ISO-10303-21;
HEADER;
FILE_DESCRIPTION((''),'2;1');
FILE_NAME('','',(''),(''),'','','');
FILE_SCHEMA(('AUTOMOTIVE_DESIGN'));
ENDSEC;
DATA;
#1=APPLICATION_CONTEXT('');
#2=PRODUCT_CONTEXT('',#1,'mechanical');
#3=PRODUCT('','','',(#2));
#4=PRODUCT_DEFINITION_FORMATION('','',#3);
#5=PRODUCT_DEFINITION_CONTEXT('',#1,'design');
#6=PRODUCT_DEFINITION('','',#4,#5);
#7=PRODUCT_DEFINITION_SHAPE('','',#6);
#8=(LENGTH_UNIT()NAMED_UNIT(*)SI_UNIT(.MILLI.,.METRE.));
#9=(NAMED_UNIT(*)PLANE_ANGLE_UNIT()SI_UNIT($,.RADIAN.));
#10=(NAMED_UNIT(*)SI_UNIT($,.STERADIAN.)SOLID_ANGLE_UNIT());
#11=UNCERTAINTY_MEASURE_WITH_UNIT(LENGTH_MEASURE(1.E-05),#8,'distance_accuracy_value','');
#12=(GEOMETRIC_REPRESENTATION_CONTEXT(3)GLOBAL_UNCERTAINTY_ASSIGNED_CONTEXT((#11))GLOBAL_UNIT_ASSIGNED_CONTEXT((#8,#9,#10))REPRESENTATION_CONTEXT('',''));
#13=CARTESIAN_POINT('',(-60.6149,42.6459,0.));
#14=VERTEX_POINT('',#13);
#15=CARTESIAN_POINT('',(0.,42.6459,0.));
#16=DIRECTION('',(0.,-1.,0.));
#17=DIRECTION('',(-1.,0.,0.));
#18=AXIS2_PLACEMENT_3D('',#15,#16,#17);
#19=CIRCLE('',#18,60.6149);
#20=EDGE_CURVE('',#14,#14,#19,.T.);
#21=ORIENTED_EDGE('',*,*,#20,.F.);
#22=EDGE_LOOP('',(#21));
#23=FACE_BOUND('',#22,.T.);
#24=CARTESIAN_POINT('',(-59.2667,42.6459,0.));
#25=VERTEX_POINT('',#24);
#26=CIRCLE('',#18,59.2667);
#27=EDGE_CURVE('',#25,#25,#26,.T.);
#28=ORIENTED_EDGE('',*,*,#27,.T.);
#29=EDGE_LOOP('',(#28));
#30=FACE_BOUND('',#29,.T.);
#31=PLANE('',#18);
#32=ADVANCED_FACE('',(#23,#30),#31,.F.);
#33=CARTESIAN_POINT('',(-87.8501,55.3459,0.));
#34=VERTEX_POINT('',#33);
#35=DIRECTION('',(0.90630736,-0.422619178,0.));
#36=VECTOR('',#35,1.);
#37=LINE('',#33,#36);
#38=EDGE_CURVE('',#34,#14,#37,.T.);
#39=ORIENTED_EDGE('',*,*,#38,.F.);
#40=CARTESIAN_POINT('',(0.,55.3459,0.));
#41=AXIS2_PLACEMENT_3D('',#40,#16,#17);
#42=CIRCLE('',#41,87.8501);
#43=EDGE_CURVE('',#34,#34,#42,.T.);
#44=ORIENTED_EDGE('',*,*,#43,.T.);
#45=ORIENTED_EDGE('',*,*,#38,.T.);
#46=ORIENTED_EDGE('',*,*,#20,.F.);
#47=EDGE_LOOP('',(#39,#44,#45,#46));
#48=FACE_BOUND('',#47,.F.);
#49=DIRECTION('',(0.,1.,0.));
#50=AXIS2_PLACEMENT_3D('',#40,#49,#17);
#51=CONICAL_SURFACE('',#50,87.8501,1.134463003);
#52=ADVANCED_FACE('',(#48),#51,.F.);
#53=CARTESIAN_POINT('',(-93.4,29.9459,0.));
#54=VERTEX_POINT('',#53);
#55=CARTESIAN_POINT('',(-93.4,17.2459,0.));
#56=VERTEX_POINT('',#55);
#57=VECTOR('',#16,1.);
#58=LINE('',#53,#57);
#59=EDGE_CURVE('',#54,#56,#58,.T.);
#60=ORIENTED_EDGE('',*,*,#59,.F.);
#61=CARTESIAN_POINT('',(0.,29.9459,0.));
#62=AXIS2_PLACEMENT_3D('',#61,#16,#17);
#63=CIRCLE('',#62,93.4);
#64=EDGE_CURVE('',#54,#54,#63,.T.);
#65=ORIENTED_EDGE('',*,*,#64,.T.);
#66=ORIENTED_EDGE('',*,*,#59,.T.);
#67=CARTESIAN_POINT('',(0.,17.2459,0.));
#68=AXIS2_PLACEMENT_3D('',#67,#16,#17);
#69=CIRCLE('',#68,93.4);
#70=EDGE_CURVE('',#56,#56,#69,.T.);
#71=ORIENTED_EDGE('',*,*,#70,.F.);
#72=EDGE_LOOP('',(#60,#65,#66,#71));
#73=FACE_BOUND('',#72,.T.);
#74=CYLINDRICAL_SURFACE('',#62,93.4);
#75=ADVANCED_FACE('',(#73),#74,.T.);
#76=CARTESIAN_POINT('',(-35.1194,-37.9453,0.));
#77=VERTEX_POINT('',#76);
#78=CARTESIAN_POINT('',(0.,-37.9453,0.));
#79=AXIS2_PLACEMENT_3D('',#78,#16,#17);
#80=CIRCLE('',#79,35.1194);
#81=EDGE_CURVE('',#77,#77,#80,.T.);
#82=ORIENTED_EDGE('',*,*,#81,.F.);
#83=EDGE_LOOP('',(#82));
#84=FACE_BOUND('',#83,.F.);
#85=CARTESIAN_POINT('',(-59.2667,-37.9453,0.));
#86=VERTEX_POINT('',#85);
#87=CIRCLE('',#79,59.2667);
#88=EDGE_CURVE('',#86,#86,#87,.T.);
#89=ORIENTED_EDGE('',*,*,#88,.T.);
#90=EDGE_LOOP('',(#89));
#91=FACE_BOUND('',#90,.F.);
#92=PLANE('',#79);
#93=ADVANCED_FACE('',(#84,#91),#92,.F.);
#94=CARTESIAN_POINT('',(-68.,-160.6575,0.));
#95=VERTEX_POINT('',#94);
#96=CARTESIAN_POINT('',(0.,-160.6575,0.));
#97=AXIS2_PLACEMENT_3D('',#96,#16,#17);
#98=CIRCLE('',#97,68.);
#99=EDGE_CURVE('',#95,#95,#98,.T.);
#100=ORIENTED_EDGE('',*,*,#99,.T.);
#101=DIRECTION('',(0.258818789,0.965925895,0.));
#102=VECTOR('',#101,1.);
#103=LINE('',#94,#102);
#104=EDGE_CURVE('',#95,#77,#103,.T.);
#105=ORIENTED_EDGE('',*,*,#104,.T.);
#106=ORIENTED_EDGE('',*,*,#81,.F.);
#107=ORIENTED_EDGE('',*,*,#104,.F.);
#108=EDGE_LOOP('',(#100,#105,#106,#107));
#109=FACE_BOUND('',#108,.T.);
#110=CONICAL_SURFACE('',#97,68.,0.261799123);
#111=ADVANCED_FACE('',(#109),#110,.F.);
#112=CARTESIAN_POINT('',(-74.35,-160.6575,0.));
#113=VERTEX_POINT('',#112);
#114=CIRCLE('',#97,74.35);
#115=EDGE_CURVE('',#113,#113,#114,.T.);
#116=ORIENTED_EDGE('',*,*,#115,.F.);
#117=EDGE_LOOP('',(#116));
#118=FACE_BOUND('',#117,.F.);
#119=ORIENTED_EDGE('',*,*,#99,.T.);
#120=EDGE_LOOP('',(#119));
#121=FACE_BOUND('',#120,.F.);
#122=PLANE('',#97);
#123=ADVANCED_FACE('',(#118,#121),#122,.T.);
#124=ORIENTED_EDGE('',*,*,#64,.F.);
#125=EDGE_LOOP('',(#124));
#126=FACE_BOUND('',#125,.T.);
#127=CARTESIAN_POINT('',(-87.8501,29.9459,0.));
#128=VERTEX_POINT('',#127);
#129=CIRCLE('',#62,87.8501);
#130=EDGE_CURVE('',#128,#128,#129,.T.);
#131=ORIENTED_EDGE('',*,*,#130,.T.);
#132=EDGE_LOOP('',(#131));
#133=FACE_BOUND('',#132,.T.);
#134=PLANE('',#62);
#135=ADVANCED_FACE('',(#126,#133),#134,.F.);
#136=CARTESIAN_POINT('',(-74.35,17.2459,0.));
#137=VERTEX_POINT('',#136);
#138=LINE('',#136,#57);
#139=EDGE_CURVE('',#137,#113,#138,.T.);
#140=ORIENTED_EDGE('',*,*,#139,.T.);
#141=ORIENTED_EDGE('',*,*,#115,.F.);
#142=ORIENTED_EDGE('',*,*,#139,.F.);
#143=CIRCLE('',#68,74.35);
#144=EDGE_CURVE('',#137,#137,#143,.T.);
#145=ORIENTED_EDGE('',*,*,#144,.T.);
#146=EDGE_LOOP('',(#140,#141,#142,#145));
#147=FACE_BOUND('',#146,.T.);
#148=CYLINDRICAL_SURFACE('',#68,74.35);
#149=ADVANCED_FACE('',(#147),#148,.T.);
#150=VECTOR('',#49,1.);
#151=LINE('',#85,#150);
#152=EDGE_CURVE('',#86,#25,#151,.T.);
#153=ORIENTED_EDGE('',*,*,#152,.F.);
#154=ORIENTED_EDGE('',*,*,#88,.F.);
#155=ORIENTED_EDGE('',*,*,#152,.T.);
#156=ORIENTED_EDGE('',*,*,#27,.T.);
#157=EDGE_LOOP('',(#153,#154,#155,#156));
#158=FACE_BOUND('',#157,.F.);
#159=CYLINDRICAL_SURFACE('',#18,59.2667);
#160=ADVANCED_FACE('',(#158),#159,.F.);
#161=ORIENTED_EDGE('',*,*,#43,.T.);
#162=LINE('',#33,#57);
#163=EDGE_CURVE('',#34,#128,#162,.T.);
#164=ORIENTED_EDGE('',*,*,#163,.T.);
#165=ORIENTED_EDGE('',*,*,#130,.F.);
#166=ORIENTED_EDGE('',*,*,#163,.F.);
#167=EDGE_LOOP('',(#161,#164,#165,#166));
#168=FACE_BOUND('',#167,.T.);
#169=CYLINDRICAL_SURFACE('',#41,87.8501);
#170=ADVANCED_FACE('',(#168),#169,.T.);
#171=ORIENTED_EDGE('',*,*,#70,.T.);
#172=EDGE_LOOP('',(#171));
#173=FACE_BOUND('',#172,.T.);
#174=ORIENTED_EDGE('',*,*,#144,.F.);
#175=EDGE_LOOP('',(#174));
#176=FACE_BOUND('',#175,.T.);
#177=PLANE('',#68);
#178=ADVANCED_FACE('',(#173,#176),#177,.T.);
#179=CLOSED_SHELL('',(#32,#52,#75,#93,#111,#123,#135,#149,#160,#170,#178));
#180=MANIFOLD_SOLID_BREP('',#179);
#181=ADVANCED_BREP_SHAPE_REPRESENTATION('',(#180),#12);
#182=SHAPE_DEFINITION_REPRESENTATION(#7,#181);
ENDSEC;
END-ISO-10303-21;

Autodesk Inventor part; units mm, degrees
ref_plane "YZ Plane" through (0, 0, 0) normal (1, 0, 0) x (0, 1, 0)
ref_plane "XZ Plane" through (0, 0, 0) normal (0, 1, 0) x (-1, 0, 0)
ref_plane "XY Plane" through (0, 0, 0) normal (0, 0, 1) x (1, 0, 0)
sketch "Sketch1" plane through (0, 0, 0) normal (0, 0, 1) x (1, 0, 0)
  line L0 (-87.8501, 55.3459) -> (-87.8501, 29.9459)
  line L1 (-87.8501, 29.9459) -> (-93.4, 29.9459)
  line L2 (-59.2667, 42.6459) -> (-60.6149, 42.6459)
  line L3 (-59.2667, 42.6459) -> (0, 42.6459) construction
  line L4 (-41.4694, -37.9453) -> (-35.1194, -37.9453)
  line L5 (-93.4, 29.9459) -> (-93.4, 17.2459)
  line L6 (-93.4, 17.2459) -> (-80.7, 17.2459)
  line L7 (-80.7, 17.2459) -> (-74.35, 17.2459)
  line L8 (-74.35, 17.2459) -> (-74.35, -160.6575)
  line L9 (-93.4, 17.2459) -> (-93.4, 7.7209)
  line L10 (-93.4, 17.2459) -> (-83.875, 17.2459) construction
  line L11 (-93.4, 7.7209) -> (-80.7, 7.7209)
  line L12 (-80.7, 7.7209) -> (-80.7, -43.0791)
  line L13 (-80.7, -43.0791) -> (-93.4, -43.0791)
  line L14 (-93.4, 7.7209) -> (-87.05, 7.7209)
  line L15 (-87.05, 7.7209) -> (-87.05, 1.7773)
  line L16 (-87.05, 1.7773) -> (-93.4, 1.7773)
  line L17 (-93.4, 29.9459) -> (-93.4, 7.7209)
  line L18 (-93.4, 1.7773) -> (-93.4, -43.0791)
  line L19 (-80.7, -43.0791) -> (-21.9625, -43.0791) construction
  line L20 (-68, -160.6575) -> (-74.35, -160.6575)
  line L21 (-64.6621, -148.2003) -> (-40.1276, -148.2003) construction
  line L22 (0, 42.6459) -> (0, 0)
  line L23 (-87.8501, 55.3459) -> (-18.3062, 55.3459) construction
  line L24 (-87.8501, 55.3459) -> (-14.7047, 55.3459) construction
  line L25 (-87.8501, 55.3459) -> (-55.5582, 40.2879)
  line L26 (-87.8501, 55.3459) -> (-52.22, 55.3459) construction
  line L27 (-59.2667, 42.6459) -> (-59.2667, -37.9453)
  line L28 (-59.2667, 42.6459) -> (21.3245, 42.6459) construction
  line L29 (-59.2667, -37.9453) -> (-41.4694, -37.9453)
  line L30 (-68, -160.6575) -> (-35.1194, -37.9453)
  dimension "d87" = 25.4
  dimension "d88" = 5.5499
  dimension "d89" = 87.8501
  dimension "d90" = 12.7
  dimension "d92" = 59.2667
  dimension "d93" = 6.35
  dimension "d95" = 12.7
  dimension "d96" = 12.7
  dimension "d97" = 6.35
  dimension "d98" = 9.525
  dimension "d99" = 50.8
  dimension "d100" = 12.7
  dimension "d101" = 6.35
  dimension "d102" = 5.9436
  dimension "d113" = 25
  dimension "d115" = 32.2919
  dimension "d117" = 80.5912
revolve "Revolution2" add sketch "Sketch1" angle 360 about axis through (0, 42.6459, 0) along (0, -1, 0) contours L25 L27 L29 L4 L30 L20 L8 L7 L6 L5 L1 L0 | L2 L27 L25
properties part number "Phenolic 8-inch v1" material "Phenolic Resin"
